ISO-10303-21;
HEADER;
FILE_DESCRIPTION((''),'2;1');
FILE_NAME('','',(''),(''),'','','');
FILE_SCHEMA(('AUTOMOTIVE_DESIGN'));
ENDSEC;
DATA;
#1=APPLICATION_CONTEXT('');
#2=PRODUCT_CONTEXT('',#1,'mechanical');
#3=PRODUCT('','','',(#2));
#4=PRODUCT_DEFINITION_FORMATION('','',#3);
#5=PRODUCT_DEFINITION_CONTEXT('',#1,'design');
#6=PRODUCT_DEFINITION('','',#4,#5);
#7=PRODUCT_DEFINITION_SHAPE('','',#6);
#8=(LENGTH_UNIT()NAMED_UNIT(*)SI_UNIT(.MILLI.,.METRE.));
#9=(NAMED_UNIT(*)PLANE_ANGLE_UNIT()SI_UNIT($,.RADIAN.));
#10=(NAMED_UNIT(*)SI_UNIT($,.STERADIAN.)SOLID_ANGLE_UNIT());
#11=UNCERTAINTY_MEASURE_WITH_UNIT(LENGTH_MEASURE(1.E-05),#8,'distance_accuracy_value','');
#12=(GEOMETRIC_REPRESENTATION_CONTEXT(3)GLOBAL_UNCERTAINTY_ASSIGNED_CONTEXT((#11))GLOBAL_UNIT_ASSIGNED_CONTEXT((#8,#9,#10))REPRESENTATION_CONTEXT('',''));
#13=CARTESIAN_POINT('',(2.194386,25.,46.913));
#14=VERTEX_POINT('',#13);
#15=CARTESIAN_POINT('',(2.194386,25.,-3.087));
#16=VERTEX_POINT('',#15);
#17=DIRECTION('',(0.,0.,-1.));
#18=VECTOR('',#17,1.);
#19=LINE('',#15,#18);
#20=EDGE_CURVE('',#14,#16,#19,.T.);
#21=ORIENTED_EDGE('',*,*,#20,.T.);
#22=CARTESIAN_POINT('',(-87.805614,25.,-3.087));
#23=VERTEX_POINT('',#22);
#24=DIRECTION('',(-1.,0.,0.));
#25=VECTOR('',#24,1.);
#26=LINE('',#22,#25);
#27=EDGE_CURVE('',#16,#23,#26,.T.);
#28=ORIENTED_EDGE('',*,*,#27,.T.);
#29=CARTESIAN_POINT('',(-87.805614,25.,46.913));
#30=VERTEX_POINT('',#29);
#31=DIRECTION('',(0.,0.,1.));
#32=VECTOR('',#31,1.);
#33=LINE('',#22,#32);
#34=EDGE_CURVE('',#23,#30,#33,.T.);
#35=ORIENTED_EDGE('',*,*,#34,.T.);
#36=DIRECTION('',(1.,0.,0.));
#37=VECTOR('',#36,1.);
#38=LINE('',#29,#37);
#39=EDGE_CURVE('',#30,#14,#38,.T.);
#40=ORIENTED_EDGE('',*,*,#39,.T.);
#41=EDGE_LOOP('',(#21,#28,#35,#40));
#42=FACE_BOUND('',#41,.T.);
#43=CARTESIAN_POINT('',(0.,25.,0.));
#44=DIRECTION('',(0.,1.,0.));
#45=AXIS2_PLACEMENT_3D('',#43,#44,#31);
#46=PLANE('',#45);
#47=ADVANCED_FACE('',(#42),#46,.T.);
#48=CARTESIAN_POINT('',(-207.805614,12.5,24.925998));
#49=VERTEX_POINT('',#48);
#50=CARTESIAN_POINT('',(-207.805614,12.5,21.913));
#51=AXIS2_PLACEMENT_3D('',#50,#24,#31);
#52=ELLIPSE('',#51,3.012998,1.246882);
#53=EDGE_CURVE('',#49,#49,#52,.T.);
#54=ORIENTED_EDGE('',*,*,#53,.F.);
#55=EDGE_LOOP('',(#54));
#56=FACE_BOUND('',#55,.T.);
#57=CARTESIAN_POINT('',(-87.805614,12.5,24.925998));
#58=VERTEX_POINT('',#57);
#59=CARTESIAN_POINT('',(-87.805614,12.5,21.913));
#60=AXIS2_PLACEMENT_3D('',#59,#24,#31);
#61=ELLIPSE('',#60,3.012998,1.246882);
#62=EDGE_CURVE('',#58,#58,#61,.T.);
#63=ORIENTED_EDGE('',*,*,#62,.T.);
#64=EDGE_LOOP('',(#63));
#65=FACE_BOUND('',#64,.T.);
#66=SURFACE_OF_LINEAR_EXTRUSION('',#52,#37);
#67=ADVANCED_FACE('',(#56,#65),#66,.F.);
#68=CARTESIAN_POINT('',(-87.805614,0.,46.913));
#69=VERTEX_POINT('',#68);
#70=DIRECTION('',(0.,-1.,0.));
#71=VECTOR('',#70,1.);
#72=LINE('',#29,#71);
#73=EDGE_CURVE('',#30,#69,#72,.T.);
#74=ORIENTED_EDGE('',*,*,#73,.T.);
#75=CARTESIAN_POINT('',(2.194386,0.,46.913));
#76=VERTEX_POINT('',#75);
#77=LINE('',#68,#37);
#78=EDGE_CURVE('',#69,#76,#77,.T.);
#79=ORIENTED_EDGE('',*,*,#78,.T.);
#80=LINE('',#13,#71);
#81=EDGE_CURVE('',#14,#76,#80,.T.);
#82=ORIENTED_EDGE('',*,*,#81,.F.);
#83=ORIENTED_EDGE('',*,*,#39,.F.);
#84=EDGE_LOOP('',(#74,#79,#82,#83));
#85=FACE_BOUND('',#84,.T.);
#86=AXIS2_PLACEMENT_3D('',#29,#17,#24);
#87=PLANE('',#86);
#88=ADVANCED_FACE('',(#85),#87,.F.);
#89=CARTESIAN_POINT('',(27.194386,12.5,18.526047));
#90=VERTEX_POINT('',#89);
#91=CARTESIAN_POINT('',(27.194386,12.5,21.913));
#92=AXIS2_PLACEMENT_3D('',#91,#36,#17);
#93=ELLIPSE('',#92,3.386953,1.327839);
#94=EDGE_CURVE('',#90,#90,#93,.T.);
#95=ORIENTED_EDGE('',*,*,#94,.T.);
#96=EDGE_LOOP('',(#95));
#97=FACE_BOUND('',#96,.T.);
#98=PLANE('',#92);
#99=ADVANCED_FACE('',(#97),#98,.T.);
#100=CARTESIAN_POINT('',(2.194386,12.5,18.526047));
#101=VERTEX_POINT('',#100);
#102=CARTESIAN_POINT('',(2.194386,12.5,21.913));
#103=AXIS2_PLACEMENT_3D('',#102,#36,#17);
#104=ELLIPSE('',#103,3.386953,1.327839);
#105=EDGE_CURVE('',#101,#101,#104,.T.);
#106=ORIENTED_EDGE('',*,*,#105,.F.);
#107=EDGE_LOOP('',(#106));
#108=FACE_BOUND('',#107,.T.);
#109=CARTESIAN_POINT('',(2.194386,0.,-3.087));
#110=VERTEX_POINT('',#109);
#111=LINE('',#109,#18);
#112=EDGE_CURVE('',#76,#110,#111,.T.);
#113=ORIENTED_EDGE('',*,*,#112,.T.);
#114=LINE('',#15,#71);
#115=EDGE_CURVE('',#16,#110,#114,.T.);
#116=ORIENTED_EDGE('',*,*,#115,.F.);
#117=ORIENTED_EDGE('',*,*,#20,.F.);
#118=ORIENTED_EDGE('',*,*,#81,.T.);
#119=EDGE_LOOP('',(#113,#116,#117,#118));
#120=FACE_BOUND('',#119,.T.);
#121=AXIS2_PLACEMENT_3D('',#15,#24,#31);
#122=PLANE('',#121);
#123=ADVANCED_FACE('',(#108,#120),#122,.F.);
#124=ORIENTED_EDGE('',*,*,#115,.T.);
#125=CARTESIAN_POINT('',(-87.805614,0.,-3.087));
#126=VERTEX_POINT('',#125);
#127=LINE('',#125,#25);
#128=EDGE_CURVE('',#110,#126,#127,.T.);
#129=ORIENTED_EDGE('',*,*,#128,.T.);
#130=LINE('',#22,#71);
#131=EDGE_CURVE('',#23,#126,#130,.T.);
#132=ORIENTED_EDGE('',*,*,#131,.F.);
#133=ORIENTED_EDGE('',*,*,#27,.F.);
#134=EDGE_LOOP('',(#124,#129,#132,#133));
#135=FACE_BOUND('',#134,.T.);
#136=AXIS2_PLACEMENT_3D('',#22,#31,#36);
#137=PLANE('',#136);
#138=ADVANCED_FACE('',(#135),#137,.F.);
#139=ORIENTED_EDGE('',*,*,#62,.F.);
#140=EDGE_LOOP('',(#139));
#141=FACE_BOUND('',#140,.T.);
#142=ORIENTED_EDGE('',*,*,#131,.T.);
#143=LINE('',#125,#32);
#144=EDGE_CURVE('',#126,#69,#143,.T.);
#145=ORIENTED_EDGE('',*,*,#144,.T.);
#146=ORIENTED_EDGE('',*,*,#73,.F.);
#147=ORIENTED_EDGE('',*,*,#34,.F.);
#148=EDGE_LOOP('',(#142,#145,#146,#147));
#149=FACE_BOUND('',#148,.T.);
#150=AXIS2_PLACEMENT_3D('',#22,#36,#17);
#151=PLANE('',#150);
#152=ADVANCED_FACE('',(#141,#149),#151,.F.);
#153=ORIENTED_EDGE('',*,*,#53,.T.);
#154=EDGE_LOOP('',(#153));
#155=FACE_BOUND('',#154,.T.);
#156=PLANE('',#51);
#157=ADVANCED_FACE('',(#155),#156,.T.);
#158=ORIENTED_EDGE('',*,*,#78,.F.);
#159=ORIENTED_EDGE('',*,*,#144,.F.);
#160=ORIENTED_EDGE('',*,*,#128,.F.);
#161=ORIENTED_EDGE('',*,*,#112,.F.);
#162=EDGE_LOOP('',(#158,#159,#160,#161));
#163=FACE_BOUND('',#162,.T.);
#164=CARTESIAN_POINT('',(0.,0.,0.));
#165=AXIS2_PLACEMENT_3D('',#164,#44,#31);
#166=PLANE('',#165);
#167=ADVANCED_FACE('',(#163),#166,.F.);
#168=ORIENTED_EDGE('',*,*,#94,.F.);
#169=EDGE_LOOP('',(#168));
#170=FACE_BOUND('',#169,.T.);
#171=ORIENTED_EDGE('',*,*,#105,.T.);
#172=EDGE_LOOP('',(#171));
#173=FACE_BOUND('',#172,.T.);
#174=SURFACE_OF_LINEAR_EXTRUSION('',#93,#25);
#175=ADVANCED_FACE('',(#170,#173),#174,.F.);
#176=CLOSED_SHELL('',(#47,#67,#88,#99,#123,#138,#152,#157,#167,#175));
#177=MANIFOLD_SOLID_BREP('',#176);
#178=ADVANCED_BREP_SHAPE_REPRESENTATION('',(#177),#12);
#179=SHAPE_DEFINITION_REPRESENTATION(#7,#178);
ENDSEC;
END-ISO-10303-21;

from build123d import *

# Parameters (mm, degrees)
SKETCH1_W           = 90
SKETCH1_H           = 50
BOSS_EXTRUDE1_DEPTH = 25
SKETCH2_RX          = 3.012998166
SKETCH2_RY          = 1.246882068
BOSS_EXTRUDE2_DEPTH = 120
SKETCH3_RX          = 3.386952559
SKETCH3_RY          = 1.327839356
BOSS_EXTRUDE3_DEPTH = 25


with BuildPart() as part:
    # Sketch1 → Boss-Extrude1 (new body)
    with BuildSketch(Plane(origin=(0, 0, 0), x_dir=(1, 0, 0), z_dir=(0, 1, 0))):
        with Locations((-42.805614477, -21.913)):
            Rectangle(SKETCH1_W, SKETCH1_H)
    extrude(amount=BOSS_EXTRUDE1_DEPTH)

    # Sketch2 → Boss-Extrude2 (add)
    with BuildSketch(Plane.ZY.offset(87.805614477)):
        with Locations((21.913, 12.5)):
            Ellipse(SKETCH2_RX, SKETCH2_RY)
    extrude(amount=BOSS_EXTRUDE2_DEPTH)

    # Sketch3 → Boss-Extrude3 (add)
    with BuildSketch(Plane(origin=(2.194385523, 0, 0), x_dir=(0, 0, -1), z_dir=(1, 0, 0))):
        with Locations((-21.913, 12.5)):
            Ellipse(SKETCH3_RX, SKETCH3_RY)
    extrude(amount=BOSS_EXTRUDE3_DEPTH)


solid = part.part
